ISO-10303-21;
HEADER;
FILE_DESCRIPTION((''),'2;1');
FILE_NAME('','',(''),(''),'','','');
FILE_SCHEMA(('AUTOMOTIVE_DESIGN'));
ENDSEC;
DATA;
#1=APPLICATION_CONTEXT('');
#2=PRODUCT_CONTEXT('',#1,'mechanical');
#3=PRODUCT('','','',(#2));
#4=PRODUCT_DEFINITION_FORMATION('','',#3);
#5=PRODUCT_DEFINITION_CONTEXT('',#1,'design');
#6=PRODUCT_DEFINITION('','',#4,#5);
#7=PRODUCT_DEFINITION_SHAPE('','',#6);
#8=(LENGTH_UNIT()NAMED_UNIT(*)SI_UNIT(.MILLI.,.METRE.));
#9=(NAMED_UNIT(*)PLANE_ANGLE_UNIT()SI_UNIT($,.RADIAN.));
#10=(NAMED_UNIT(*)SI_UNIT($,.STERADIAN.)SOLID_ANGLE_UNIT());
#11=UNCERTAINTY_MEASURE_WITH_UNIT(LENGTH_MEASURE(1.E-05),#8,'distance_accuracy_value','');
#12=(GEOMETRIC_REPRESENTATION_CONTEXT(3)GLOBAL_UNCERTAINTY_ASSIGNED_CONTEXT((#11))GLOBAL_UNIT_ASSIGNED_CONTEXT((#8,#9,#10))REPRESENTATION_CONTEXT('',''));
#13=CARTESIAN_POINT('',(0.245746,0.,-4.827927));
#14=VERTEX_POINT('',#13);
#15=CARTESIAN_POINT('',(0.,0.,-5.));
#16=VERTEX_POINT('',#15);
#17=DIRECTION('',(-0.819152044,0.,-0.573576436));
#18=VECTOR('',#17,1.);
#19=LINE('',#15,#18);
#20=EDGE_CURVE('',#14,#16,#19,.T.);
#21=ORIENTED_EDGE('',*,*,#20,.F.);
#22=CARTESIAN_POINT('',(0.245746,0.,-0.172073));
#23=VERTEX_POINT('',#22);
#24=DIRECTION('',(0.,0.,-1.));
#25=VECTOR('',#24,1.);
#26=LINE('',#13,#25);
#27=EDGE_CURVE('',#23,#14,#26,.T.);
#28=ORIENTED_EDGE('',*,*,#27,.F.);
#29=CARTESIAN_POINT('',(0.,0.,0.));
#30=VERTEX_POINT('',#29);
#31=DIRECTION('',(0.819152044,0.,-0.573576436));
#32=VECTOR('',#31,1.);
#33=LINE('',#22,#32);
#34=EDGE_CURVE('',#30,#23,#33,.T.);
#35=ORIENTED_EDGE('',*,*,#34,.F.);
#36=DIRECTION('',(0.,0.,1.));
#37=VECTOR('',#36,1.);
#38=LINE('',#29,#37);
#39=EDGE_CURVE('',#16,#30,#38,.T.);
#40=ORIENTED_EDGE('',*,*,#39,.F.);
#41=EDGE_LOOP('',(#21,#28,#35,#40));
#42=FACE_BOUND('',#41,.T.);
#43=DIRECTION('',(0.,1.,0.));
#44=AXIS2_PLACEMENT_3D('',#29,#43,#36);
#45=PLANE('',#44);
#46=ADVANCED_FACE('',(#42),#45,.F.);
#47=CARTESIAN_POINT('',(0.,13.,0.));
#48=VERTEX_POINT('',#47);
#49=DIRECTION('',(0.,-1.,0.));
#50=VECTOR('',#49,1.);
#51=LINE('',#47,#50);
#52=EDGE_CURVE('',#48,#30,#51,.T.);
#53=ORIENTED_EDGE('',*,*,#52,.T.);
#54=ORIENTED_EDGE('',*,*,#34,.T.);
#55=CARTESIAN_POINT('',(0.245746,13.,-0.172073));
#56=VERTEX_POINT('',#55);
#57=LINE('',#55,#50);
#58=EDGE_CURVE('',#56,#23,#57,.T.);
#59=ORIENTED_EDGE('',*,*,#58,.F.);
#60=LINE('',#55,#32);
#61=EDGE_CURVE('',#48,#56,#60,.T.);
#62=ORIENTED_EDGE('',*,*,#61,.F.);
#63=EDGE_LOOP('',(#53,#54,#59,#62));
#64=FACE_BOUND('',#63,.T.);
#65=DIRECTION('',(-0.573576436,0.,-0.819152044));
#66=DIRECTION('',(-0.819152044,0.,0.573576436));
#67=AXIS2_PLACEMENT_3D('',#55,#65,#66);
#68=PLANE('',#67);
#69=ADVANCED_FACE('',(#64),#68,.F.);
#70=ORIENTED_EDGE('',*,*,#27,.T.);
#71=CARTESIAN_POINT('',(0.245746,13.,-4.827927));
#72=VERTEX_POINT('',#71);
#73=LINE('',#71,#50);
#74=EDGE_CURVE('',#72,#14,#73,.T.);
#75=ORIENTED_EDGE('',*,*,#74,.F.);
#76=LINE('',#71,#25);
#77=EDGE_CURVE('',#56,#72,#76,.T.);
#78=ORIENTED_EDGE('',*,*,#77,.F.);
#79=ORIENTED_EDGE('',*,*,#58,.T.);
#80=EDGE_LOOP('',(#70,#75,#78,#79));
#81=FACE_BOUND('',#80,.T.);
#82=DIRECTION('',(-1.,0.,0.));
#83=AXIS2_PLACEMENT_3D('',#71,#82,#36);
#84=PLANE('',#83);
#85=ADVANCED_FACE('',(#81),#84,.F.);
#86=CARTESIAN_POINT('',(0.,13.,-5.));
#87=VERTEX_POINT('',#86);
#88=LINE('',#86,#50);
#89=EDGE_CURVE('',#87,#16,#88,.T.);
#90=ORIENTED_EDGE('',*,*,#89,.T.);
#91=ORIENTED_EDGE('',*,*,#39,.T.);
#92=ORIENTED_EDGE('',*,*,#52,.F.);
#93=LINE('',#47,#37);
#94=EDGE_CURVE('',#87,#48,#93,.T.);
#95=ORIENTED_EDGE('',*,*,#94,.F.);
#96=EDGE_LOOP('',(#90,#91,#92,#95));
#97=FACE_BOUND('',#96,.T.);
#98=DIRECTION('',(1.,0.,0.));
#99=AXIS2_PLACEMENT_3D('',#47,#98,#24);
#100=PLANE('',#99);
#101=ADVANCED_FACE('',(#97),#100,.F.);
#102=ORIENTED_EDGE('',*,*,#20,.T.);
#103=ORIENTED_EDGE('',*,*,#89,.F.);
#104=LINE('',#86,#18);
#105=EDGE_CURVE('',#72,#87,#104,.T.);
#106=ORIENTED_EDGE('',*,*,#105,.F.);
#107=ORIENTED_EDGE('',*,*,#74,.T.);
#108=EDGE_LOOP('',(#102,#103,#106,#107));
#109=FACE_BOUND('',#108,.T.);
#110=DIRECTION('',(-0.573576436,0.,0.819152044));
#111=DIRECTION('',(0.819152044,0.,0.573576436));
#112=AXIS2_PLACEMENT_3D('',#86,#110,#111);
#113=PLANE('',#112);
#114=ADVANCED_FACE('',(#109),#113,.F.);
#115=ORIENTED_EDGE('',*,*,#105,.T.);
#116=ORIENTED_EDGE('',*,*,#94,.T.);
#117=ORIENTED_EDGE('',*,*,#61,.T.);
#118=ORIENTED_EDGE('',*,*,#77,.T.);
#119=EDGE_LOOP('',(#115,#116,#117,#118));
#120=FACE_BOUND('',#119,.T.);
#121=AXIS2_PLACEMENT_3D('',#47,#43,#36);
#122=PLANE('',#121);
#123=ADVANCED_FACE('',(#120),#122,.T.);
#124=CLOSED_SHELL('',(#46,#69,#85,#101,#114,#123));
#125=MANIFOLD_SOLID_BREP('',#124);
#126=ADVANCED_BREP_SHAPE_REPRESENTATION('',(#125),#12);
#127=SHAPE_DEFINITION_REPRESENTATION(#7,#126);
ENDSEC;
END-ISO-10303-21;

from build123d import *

# Parameters (mm, degrees)
BOSS_EXTRUDE1_DEPTH = 13


with BuildPart() as part:
    # Sketch1 → Boss-Extrude1 (new body)
    with BuildSketch(Plane(origin=(0, 0, 0), x_dir=(1, 0, 0), z_dir=(0, 1, 0))):
        Polygon((0, 0), (0, 5), (0.245745613, 4.827927069), (0.245745613, 0.172072931), align=None)
    extrude(amount=BOSS_EXTRUDE1_DEPTH)


solid = part.part
